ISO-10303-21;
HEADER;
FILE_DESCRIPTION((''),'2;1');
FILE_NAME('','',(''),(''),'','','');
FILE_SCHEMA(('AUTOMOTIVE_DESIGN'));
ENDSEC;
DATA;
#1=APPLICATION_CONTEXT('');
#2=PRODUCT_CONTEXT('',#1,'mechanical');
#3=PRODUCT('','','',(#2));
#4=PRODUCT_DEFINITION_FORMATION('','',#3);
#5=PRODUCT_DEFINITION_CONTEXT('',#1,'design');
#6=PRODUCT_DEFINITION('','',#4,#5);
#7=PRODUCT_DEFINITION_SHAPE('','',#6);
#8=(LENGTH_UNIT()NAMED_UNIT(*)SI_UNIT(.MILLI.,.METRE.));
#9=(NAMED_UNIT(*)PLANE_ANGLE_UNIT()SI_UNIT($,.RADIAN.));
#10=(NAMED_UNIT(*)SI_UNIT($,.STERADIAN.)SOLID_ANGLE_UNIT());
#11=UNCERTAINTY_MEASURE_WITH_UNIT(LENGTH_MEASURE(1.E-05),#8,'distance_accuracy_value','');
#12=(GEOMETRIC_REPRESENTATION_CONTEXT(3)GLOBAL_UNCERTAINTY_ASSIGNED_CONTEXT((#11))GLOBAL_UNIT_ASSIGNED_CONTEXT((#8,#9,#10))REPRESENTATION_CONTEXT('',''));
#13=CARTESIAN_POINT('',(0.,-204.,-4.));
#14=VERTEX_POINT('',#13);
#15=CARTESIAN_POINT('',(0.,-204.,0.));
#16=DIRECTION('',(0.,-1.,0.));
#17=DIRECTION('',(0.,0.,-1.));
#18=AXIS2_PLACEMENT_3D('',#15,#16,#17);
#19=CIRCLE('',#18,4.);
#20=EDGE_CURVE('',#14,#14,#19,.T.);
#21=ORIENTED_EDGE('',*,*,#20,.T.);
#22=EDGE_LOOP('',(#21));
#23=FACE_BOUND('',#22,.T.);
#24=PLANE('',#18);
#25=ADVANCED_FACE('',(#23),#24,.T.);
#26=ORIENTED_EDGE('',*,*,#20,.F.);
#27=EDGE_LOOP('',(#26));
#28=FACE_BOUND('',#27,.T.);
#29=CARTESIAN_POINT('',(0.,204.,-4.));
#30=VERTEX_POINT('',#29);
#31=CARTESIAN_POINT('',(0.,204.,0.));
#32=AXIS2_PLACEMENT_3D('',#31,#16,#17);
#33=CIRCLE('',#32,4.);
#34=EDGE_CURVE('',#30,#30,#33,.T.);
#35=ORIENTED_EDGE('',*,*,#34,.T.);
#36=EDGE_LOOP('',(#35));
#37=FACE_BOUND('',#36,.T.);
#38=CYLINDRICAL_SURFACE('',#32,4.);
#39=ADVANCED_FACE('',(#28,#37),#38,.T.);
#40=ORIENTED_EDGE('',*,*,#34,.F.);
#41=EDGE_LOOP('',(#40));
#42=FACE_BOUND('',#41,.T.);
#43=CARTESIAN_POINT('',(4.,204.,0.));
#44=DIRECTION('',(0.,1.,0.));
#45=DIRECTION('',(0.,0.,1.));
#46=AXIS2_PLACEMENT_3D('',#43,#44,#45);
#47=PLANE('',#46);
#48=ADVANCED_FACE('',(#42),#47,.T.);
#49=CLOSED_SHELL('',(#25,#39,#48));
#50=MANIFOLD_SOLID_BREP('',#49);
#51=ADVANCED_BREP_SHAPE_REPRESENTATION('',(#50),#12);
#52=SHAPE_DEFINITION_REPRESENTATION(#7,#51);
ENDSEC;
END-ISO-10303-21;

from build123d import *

# Parameters (mm, degrees)
SKETCH1_W = 4
SKETCH1_H = 408


with BuildPart() as part:
    # Sketch1 → Revolve1 (revolve)
    with BuildSketch(Plane.XY):
        with Locations((2, 0)):
            Rectangle(SKETCH1_W, SKETCH1_H)
    revolve(axis=Axis((0, 204, 0), (0, -1, 0)))


solid = part.part
